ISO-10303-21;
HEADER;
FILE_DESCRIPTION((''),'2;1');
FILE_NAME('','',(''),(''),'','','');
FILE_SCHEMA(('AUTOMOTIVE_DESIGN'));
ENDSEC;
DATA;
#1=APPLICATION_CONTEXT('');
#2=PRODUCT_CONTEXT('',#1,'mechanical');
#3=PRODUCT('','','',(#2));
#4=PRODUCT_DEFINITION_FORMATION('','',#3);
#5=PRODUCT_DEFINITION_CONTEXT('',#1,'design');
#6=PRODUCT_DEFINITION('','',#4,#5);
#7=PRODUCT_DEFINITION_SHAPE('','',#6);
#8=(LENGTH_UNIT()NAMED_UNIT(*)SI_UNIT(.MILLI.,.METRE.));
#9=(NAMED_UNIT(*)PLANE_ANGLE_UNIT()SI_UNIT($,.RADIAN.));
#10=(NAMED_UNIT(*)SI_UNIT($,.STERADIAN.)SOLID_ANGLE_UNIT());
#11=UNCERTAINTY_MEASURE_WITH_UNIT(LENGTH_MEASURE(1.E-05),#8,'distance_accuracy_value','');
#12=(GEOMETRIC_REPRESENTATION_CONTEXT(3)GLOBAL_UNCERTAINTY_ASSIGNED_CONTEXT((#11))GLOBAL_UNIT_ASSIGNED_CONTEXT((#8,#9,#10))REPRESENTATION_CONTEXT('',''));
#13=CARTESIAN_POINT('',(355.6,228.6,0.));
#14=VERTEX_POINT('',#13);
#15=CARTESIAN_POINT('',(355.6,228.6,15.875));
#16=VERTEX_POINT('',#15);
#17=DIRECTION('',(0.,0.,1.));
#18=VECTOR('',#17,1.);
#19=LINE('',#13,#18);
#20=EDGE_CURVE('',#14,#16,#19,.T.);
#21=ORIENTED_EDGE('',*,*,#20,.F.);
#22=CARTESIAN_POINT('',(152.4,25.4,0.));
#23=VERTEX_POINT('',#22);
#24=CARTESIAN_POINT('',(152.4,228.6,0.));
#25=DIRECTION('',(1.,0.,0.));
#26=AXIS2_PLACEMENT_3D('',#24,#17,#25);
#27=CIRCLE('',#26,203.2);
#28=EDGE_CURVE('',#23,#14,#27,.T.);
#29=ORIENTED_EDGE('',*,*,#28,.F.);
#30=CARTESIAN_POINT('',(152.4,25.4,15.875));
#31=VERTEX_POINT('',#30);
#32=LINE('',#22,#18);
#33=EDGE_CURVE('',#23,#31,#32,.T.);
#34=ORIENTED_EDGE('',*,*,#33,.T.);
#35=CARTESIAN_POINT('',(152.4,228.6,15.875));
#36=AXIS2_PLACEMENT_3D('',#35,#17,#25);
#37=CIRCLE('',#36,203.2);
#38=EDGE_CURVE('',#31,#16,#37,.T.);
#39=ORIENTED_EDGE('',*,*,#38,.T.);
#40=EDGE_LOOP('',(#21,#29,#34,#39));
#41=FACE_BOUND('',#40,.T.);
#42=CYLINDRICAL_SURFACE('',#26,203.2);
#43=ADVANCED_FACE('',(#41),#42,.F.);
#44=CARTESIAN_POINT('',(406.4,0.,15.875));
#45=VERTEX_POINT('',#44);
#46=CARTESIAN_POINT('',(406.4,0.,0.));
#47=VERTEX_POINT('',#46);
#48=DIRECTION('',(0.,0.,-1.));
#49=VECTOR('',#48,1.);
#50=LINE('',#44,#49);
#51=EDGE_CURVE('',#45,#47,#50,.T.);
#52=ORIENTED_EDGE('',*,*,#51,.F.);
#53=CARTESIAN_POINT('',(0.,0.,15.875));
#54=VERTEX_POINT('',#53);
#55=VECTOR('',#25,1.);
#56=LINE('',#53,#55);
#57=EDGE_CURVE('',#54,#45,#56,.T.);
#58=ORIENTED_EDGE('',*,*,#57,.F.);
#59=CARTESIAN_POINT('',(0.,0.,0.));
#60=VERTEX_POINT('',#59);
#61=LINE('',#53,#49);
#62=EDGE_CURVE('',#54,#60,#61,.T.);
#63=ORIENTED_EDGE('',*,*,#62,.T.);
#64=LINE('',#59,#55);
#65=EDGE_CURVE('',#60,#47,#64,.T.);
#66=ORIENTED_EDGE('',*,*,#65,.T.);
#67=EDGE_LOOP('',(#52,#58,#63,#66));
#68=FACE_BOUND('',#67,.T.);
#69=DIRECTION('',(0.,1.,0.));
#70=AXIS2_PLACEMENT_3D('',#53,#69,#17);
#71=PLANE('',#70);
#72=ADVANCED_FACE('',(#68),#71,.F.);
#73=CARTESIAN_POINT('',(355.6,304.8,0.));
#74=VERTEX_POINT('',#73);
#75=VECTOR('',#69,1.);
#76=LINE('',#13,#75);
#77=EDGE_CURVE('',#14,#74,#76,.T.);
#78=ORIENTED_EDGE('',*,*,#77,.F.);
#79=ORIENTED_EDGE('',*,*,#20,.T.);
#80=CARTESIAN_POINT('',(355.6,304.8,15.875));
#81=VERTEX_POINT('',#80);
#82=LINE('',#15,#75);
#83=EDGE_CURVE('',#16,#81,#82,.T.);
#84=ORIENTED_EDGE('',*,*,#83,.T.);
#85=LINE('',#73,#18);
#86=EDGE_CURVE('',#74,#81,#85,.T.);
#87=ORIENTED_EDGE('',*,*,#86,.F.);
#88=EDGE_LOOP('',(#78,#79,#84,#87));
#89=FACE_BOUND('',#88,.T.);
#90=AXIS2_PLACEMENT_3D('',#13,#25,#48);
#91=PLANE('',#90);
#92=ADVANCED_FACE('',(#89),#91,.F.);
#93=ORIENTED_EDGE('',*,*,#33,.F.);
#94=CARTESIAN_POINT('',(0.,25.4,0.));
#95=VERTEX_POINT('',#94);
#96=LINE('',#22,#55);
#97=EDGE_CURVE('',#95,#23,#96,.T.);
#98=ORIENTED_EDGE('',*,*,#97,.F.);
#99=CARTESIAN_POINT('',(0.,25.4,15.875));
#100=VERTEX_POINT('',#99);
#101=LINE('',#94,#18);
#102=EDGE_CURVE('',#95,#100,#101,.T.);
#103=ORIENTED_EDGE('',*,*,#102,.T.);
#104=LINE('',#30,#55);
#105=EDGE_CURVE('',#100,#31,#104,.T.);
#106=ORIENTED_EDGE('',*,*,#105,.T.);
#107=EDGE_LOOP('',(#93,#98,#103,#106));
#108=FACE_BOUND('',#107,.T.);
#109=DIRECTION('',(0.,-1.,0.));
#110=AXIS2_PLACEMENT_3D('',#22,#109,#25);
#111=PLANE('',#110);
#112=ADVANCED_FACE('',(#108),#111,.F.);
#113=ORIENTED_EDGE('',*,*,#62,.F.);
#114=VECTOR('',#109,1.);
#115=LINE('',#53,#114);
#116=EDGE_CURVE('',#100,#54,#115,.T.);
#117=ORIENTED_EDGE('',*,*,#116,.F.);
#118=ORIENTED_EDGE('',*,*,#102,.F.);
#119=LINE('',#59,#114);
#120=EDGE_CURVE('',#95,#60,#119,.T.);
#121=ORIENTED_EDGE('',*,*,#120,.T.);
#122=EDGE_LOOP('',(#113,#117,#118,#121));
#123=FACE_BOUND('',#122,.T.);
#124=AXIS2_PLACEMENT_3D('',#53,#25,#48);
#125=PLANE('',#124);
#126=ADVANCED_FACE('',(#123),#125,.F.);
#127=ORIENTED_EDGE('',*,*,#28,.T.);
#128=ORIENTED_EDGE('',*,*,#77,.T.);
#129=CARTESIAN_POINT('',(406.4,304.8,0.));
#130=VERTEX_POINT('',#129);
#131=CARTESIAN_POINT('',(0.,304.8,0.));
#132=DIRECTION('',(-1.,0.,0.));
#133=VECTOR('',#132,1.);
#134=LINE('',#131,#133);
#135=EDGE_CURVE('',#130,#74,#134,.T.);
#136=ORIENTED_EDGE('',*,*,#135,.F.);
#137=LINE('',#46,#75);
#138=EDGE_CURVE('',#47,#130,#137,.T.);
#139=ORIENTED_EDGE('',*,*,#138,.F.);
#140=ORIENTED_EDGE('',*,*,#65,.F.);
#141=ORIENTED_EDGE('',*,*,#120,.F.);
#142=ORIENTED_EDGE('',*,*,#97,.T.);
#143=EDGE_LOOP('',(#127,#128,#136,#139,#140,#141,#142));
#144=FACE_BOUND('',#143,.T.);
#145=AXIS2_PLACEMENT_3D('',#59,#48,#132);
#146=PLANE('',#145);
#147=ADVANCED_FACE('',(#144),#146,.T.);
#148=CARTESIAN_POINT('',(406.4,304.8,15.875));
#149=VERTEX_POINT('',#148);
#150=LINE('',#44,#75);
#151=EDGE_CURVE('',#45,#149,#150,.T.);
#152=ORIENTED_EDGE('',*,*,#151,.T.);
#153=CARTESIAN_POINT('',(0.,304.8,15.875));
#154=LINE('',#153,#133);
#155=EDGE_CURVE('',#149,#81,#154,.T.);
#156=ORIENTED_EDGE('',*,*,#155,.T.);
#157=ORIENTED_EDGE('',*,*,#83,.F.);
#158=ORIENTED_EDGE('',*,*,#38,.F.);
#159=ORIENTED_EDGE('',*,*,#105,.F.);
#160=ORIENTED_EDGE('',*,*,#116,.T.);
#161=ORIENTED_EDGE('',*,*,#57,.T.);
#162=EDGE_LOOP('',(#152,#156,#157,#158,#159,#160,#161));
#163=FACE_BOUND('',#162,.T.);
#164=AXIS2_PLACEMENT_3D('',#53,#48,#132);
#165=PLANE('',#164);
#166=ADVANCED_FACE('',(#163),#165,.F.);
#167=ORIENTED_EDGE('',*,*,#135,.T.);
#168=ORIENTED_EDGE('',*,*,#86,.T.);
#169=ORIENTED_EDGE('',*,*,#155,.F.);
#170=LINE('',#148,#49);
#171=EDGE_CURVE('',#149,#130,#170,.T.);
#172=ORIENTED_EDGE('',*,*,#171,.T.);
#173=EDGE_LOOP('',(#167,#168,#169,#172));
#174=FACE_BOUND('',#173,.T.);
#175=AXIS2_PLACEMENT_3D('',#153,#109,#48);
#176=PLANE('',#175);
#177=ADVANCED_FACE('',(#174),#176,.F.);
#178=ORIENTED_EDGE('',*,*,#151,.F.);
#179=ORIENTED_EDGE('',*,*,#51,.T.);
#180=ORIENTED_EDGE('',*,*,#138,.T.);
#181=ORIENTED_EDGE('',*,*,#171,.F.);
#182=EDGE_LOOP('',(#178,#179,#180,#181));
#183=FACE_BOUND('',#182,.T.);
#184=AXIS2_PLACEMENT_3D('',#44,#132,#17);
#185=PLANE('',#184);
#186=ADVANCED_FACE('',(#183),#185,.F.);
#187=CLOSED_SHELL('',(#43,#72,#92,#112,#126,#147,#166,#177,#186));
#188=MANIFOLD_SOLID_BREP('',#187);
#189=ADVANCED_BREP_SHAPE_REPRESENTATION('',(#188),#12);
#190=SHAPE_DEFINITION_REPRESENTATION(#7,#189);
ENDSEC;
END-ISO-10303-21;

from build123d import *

# Parameters (mm, degrees)
SKETCH1_W           = 406.4
SKETCH1_H           = 304.8
BOSS_EXTRUDE1_DEPTH = 15.875
SKETCH2_R           = 9.525
CUT_EXTRUDE1_DEPTH  = 16.875
CUT_EXTRUDE2_DEPTH  = 16.875


with BuildPart() as part:
    # Sketch1 → Boss-Extrude1 (new body)
    with BuildSketch(Plane.XY):
        with Locations((203.2, 152.4)):
            Rectangle(SKETCH1_W, SKETCH1_H)
    extrude(amount=BOSS_EXTRUDE1_DEPTH)

    # Sketch2 → Cut-Extrude1 (cut, through all)
    with BuildSketch(Plane.XY.offset(15.875)):
        with Locations((152.4, 228.6)):
            Circle(SKETCH2_R)
    extrude(amount=-CUT_EXTRUDE1_DEPTH, mode=Mode.SUBTRACT)

    # Sketch3 → Cut-Extrude2 (cut, through all)
    with BuildSketch(Plane.XY.offset(15.875)):
        with BuildLine():
            Line((152.4, 25.4), (0, 25.4))
            Line((0, 25.4), (0, 304.8))
            Line((0, 304.8), (355.6, 304.8))
            Line((355.6, 304.8), (355.6, 228.6))
            ThreePointArc((355.6, 228.6), (296.084097937, 84.915902063), (152.4, 25.4))
        make_face()
    extrude(amount=-CUT_EXTRUDE2_DEPTH, mode=Mode.SUBTRACT)


solid = part.part
